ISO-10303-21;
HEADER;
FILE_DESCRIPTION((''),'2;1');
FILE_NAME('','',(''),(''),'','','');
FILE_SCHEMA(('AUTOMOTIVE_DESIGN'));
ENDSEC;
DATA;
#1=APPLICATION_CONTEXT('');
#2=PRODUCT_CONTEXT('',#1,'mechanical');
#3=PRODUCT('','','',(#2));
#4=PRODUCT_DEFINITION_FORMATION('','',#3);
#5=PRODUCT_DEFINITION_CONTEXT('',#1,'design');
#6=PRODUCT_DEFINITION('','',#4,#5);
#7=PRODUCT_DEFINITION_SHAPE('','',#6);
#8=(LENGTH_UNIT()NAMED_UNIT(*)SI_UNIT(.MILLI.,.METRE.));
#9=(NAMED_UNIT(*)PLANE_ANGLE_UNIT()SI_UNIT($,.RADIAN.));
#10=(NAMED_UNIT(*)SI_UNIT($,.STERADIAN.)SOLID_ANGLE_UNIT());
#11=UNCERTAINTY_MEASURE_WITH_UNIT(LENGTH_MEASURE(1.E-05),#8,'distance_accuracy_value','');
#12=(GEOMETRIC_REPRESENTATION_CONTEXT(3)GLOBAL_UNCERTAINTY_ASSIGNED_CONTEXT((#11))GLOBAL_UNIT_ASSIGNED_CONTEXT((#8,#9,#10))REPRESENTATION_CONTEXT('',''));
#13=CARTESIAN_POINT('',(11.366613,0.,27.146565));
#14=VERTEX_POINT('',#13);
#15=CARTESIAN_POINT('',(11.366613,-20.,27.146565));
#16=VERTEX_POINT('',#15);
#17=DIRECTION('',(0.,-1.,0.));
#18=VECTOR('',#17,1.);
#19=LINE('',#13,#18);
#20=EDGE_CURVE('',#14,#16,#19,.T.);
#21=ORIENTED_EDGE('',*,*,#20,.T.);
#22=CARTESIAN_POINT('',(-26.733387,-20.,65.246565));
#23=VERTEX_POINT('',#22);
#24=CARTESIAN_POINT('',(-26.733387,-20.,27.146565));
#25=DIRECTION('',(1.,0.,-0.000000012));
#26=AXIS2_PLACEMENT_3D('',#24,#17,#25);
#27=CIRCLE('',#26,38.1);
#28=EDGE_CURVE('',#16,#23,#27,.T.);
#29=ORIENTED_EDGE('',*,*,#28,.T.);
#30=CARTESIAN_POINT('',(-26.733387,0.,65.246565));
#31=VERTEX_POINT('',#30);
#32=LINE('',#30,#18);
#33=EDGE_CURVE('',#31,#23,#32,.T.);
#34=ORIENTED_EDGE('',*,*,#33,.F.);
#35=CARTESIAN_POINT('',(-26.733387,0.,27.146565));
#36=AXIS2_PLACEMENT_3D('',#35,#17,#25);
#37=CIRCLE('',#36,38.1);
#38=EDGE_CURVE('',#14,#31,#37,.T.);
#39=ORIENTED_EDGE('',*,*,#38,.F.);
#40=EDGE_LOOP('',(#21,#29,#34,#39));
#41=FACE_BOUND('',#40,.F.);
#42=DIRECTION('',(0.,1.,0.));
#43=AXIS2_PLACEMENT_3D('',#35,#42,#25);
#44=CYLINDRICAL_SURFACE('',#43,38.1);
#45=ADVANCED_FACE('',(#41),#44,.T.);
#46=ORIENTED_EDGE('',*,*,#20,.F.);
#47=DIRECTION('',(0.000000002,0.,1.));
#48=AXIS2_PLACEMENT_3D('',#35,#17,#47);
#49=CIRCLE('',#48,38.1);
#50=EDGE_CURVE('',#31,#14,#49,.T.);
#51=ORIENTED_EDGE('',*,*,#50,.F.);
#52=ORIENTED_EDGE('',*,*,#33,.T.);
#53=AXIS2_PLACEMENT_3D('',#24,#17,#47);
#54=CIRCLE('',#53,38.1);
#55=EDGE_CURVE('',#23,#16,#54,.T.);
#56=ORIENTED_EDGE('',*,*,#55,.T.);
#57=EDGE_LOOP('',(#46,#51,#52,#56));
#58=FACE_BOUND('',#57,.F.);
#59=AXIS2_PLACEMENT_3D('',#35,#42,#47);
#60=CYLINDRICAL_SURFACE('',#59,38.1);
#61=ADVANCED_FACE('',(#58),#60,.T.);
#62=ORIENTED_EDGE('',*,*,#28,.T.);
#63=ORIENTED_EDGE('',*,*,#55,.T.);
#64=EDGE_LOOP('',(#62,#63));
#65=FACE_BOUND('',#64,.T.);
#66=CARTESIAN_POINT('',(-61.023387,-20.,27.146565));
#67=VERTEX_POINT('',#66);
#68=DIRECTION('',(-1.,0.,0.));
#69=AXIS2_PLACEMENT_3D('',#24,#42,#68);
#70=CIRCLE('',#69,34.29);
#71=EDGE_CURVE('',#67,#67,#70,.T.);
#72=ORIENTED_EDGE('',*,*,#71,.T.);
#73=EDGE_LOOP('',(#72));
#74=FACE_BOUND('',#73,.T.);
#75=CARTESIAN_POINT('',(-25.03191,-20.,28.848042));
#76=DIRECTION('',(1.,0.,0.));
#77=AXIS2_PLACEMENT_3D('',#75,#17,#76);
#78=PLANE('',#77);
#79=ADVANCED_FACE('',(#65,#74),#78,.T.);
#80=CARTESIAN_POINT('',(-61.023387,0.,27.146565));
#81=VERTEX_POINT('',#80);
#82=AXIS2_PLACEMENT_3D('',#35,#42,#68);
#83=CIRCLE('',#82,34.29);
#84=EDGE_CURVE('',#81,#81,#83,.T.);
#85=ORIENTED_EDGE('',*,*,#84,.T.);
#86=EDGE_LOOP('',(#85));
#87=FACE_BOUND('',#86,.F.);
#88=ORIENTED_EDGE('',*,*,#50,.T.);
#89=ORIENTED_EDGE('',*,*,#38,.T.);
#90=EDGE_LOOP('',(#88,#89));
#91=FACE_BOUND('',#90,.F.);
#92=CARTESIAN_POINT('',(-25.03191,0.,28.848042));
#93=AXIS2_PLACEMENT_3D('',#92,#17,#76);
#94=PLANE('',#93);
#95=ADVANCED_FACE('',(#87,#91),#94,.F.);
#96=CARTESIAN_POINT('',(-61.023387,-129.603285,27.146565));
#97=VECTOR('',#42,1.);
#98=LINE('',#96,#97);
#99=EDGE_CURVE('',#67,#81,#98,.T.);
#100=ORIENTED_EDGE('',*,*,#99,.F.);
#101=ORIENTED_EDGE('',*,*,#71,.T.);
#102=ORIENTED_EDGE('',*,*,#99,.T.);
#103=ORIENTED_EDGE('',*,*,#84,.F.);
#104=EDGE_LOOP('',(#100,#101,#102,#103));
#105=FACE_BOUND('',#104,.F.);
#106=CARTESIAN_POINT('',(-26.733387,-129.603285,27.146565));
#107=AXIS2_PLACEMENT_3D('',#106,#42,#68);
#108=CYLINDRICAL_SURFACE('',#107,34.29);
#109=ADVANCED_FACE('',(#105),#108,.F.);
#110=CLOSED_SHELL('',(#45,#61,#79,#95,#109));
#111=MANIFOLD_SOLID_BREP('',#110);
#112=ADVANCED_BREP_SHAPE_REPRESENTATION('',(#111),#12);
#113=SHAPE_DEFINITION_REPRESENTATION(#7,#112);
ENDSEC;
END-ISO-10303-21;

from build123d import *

# Parameters (mm, degrees)
F1_DEPTH = 20
F3_D     = 68.58


with BuildPart() as f1:
    # F0 (on Front) → F1 (new body)
    with BuildSketch(Plane.XZ):
        with BuildLine():
            ThreePointArc((-26.733387, 65.246565), (-53.674156, 0.205797), (11.366613, 27.146565))
            ThreePointArc((11.366613, 27.146565), (0.207381, 54.087334), (-26.733387, 65.246565))
        make_face()
    extrude(amount=F1_DEPTH)

    # F3 (through all)
    with Locations(Plane.XZ.offset(20)):
        with Locations((-26.733387, 27.146565)):
            Hole(F3_D / 2)


solid = f1.part
